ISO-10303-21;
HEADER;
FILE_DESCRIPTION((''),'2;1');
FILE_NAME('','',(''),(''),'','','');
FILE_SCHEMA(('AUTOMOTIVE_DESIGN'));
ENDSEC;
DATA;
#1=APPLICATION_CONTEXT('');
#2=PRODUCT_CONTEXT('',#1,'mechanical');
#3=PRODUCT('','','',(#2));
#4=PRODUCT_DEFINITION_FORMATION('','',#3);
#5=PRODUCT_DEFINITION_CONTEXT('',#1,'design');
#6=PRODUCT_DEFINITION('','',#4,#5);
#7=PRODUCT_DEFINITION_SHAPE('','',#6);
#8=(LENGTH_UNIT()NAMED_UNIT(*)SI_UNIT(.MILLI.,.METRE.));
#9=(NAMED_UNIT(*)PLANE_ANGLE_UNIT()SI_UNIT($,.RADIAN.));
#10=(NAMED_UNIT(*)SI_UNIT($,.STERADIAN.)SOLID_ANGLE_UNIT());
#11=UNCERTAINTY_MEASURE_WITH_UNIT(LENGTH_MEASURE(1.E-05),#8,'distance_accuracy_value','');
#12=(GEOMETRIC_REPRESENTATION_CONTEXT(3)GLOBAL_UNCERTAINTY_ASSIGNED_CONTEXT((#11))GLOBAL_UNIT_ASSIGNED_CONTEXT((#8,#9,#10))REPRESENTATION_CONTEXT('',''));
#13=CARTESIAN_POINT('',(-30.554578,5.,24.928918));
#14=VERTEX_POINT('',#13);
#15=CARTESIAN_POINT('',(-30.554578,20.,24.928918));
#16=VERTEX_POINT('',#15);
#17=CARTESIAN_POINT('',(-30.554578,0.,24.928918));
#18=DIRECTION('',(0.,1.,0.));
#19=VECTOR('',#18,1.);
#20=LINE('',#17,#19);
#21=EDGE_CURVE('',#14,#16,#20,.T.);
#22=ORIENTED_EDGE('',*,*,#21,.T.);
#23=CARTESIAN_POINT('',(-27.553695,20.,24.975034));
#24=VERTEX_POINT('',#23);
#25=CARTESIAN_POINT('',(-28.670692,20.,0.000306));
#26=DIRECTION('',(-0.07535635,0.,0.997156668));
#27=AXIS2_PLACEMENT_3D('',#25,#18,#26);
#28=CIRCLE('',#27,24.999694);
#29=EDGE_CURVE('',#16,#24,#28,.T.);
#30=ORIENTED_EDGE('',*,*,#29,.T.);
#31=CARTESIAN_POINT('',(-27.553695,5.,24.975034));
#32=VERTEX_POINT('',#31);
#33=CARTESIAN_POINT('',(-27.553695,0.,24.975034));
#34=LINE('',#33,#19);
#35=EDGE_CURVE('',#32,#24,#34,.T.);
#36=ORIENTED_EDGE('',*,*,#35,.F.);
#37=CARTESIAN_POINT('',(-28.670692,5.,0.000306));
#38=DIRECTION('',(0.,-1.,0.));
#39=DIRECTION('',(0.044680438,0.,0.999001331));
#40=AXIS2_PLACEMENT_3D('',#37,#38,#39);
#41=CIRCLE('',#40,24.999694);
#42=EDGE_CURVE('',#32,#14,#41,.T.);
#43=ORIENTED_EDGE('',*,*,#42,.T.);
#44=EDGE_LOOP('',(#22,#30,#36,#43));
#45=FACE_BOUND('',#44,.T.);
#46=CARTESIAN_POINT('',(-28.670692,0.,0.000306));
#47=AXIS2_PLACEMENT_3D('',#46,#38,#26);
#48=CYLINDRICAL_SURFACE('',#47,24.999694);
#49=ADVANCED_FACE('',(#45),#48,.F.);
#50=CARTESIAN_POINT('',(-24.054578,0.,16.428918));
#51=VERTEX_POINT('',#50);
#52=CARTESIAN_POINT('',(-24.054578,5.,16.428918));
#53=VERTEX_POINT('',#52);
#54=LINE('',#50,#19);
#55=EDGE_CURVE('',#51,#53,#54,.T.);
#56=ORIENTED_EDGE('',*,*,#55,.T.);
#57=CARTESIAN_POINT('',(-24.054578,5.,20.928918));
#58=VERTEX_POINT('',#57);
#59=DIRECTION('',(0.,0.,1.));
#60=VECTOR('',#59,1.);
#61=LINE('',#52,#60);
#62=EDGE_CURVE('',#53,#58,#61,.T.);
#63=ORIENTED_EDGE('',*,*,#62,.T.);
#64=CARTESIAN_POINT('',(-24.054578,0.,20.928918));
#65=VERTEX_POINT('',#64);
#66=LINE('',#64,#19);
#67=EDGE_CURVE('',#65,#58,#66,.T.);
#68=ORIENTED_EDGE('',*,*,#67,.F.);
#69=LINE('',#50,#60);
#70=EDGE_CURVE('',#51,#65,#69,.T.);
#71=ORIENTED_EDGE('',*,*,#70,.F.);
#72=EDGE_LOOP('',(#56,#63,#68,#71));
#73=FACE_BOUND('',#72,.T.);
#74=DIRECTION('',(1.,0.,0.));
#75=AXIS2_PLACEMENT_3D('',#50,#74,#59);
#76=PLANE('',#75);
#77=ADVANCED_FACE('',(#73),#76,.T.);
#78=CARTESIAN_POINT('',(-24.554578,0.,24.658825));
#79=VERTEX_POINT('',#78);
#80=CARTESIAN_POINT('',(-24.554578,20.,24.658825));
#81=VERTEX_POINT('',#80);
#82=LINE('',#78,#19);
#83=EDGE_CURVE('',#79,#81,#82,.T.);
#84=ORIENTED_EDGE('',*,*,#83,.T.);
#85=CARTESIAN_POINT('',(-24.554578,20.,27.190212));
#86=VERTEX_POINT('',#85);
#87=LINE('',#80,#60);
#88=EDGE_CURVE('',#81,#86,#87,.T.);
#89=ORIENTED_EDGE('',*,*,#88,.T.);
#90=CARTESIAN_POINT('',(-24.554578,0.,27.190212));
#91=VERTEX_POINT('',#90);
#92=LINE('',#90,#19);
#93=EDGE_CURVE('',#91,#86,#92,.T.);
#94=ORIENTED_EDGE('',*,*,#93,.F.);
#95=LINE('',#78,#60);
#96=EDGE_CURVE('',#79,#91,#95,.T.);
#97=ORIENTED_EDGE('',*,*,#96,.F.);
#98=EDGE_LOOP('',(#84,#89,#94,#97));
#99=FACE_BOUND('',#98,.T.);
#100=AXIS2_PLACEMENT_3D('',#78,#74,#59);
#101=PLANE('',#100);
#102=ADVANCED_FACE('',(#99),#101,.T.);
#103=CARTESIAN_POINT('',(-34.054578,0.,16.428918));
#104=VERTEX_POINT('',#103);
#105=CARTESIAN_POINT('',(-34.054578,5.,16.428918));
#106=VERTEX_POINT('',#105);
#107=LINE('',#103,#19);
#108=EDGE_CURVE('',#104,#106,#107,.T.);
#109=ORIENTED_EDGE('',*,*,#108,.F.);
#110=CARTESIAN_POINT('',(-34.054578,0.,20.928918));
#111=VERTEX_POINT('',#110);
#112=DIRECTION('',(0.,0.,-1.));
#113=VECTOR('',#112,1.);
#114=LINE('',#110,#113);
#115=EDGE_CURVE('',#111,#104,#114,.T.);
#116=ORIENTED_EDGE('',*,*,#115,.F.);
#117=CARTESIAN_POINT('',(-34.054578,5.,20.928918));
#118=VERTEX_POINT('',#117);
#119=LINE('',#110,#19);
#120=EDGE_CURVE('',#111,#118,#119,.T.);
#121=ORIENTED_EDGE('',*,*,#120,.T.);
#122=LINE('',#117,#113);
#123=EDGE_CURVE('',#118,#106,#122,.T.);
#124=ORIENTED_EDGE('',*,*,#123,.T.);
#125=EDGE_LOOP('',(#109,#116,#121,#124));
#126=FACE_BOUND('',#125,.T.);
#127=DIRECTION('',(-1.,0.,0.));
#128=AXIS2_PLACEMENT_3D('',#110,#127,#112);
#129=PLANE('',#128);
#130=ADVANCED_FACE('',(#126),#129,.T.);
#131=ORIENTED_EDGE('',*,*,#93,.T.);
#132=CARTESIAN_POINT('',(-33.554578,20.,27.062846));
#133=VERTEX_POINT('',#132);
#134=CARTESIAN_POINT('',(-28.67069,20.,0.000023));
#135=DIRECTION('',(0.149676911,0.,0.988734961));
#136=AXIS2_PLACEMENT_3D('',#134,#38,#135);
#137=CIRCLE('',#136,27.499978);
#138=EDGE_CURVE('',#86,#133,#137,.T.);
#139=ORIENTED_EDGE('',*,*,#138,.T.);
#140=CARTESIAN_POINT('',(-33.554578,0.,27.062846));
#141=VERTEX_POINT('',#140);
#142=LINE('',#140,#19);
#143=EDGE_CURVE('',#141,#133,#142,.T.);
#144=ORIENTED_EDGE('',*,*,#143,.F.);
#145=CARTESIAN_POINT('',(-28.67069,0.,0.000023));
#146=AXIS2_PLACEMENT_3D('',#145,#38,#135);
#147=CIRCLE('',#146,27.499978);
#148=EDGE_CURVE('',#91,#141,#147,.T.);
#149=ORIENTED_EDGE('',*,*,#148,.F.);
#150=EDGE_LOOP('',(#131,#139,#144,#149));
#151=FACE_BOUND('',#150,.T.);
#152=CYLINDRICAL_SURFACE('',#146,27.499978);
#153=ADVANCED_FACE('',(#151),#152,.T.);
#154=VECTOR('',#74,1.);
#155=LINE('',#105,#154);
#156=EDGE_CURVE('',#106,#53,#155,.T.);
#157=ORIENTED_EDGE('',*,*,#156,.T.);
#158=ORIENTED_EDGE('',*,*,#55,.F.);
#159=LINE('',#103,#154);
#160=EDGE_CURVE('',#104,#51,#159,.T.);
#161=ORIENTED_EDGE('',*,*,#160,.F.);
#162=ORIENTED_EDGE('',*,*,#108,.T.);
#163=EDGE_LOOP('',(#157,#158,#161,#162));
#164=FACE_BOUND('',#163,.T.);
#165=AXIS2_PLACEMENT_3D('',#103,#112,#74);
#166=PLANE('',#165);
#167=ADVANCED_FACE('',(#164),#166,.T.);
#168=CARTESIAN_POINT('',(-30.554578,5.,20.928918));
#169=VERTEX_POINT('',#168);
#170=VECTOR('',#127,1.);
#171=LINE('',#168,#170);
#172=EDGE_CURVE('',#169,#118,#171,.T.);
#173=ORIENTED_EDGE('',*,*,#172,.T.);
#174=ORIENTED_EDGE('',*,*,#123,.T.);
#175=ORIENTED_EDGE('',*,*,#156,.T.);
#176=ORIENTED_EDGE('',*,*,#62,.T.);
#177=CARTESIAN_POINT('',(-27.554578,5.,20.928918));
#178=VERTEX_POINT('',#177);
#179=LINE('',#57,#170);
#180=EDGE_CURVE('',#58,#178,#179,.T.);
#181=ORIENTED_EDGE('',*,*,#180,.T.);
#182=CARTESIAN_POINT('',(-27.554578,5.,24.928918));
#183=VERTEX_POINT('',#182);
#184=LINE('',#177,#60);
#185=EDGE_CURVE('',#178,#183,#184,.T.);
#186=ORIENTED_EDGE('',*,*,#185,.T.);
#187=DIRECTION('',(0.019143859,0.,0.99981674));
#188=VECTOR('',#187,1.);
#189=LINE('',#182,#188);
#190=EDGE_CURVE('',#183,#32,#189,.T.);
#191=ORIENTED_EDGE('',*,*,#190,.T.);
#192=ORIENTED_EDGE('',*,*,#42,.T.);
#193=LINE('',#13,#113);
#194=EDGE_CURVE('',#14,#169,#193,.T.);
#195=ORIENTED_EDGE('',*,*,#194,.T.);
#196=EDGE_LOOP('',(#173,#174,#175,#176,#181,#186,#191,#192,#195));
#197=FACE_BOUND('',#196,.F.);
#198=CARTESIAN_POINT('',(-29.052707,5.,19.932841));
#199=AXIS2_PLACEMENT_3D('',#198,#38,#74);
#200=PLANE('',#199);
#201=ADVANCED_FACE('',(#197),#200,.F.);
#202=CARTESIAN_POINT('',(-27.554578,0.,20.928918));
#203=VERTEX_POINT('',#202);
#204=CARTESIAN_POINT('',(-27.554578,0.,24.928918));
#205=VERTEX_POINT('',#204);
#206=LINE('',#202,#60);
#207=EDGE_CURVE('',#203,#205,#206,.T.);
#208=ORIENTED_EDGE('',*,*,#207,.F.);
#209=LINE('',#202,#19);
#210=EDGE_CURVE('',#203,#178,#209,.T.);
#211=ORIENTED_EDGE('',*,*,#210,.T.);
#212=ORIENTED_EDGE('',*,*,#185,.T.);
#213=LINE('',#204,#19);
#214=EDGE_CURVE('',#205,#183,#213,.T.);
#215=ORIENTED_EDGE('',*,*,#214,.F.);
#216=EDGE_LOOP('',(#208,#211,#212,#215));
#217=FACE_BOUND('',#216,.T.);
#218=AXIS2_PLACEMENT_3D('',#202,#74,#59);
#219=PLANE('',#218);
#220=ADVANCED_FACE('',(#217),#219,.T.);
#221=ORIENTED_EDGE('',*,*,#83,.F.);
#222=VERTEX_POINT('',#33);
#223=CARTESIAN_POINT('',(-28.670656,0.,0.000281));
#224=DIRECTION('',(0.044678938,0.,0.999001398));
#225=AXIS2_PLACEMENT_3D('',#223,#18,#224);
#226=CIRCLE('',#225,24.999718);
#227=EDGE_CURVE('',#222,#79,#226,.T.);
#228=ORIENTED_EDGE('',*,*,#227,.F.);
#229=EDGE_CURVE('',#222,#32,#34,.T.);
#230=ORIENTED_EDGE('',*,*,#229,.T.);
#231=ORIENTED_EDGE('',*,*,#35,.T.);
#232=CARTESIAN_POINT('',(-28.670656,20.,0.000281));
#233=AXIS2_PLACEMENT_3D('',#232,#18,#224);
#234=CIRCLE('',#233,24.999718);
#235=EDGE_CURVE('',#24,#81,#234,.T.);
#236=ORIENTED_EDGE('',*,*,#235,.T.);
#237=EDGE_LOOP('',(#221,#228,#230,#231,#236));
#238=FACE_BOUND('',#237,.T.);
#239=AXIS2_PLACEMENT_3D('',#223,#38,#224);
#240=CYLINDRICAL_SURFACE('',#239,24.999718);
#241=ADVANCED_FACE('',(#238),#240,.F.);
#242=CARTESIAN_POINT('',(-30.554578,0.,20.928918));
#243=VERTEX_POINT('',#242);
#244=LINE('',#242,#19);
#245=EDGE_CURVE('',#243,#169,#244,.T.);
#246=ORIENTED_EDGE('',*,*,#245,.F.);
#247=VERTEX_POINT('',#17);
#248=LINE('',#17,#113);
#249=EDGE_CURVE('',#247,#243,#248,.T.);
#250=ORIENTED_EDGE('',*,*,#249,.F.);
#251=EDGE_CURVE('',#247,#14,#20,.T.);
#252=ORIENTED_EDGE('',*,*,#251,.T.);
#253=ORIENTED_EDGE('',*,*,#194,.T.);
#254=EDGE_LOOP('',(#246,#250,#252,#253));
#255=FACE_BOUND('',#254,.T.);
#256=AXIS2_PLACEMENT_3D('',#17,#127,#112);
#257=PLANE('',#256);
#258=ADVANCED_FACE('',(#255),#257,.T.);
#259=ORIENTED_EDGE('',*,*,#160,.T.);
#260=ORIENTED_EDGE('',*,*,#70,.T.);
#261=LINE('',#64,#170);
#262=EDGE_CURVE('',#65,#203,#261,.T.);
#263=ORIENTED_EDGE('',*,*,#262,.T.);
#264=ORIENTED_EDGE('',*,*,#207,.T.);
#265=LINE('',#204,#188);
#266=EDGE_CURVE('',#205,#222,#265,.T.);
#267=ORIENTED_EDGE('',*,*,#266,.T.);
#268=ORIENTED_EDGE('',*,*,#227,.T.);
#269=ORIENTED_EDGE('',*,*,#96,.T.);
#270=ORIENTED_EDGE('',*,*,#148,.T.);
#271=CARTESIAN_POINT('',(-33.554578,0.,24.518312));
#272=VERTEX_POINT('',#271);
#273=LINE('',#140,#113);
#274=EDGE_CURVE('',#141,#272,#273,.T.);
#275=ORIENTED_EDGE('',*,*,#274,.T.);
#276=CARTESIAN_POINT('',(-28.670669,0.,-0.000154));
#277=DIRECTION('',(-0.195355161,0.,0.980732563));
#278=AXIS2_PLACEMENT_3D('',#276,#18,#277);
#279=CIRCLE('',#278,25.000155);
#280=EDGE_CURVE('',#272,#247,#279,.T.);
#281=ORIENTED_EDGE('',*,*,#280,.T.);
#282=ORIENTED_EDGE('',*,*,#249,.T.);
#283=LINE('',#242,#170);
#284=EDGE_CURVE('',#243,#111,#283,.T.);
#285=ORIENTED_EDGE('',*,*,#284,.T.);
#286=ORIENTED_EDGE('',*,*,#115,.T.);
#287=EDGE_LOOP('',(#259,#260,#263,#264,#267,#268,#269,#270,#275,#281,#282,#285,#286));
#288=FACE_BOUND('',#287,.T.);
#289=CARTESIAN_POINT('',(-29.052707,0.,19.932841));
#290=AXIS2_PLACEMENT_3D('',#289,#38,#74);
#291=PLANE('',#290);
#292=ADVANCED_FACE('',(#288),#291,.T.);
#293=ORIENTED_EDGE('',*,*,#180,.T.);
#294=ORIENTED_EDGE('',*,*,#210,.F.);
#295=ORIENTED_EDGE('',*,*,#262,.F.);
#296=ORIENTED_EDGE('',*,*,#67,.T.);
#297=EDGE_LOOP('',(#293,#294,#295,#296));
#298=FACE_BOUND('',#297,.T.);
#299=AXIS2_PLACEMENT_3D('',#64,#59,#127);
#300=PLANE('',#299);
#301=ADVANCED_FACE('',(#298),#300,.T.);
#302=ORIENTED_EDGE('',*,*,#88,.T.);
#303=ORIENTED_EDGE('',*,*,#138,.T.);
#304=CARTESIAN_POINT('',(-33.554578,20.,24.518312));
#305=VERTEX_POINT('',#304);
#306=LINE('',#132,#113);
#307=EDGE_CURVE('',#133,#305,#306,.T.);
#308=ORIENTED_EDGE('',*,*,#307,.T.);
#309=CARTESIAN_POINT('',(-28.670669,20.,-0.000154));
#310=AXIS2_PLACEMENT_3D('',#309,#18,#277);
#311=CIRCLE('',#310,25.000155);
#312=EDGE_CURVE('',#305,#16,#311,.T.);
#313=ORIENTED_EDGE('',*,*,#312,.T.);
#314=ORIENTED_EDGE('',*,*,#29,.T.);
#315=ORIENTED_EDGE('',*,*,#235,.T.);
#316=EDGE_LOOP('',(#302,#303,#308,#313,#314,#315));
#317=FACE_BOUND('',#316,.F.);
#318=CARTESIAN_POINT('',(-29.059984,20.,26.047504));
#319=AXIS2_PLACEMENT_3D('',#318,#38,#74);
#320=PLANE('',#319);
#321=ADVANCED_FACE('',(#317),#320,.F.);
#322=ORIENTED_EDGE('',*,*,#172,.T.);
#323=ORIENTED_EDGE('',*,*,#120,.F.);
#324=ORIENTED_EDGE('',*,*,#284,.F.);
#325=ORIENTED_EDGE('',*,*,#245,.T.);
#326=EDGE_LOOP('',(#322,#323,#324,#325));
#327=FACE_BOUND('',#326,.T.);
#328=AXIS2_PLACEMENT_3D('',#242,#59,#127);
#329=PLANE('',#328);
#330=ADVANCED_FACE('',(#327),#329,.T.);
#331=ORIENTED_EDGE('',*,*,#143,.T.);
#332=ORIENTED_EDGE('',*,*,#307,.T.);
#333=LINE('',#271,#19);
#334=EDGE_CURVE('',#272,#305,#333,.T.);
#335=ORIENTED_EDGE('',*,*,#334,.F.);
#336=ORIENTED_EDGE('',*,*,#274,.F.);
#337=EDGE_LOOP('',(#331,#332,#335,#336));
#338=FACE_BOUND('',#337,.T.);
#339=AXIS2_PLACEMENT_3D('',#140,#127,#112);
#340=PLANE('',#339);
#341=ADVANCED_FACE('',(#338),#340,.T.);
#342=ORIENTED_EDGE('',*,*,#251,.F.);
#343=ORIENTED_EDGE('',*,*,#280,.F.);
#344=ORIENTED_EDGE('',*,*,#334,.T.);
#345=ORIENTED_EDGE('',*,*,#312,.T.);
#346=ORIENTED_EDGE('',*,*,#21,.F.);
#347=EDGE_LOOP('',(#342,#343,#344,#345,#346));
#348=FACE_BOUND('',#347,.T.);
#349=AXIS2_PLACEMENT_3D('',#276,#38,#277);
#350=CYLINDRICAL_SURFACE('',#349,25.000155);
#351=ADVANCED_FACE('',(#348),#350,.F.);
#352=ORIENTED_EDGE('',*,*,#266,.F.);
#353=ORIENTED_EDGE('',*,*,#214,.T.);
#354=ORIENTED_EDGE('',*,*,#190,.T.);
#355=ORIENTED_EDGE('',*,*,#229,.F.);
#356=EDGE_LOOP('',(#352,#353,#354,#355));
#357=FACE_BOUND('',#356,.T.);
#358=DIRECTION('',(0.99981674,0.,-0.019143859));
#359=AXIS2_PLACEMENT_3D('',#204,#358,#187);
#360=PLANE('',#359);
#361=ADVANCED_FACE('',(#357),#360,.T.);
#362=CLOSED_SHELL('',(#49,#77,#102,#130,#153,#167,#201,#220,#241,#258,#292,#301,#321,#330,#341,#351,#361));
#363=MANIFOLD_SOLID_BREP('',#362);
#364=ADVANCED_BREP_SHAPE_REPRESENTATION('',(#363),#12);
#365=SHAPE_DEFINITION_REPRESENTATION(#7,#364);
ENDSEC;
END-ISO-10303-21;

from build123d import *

# Parameters (mm, degrees)
F1_DEPTH = 20
F2_DEPTH = 5


with BuildPart() as f1:
    # F0 (on Front) → F1 (new body)
    with BuildSketch(Plane.XZ):
        with BuildLine():
            ThreePointArc((-33.554578, 24.518312), (-32.0608, 24.769076), (-30.554578, 24.928918))
            ThreePointArc((-30.554578, 24.928918), (-29.054829, 24.997049), (-27.553695, 24.975034))
            ThreePointArc((-27.553695, 24.975034), (-26.049364, 24.862194), (-24.554578, 24.658825))
            Line((-24.554578, 24.658825), (-24.554578, 27.190212))
            ThreePointArc((-24.554578, 27.190212), (-29.059824, 27.497247), (-33.554578, 27.062846))
            Line((-33.554578, 27.062846), (-33.554578, 24.518312))
        make_face()
    extrude(amount=-F1_DEPTH)

    # F0 (on Front) → F2 (join)
    with BuildSketch(Plane.XZ):
        with BuildLine():
            Line((-30.554578, 24.928918), (-30.554578, 20.928918))
            Line((-30.554578, 20.928918), (-34.054578, 20.928918))
            Line((-34.054578, 20.928918), (-34.054578, 16.428918))
            Line((-34.054578, 16.428918), (-24.054578, 16.428918))
            Line((-24.054578, 16.428918), (-24.054578, 20.928918))
            Line((-24.054578, 20.928918), (-27.554578, 20.928918))
            Line((-27.554578, 20.928918), (-27.554578, 24.928918))
            Line((-27.554578, 24.928918), (-27.553695, 24.975034))
            ThreePointArc((-27.553695, 24.975034), (-29.054829, 24.997049), (-30.554578, 24.928918))
        make_face()
    extrude(amount=-F2_DEPTH)


solid = f1.part
